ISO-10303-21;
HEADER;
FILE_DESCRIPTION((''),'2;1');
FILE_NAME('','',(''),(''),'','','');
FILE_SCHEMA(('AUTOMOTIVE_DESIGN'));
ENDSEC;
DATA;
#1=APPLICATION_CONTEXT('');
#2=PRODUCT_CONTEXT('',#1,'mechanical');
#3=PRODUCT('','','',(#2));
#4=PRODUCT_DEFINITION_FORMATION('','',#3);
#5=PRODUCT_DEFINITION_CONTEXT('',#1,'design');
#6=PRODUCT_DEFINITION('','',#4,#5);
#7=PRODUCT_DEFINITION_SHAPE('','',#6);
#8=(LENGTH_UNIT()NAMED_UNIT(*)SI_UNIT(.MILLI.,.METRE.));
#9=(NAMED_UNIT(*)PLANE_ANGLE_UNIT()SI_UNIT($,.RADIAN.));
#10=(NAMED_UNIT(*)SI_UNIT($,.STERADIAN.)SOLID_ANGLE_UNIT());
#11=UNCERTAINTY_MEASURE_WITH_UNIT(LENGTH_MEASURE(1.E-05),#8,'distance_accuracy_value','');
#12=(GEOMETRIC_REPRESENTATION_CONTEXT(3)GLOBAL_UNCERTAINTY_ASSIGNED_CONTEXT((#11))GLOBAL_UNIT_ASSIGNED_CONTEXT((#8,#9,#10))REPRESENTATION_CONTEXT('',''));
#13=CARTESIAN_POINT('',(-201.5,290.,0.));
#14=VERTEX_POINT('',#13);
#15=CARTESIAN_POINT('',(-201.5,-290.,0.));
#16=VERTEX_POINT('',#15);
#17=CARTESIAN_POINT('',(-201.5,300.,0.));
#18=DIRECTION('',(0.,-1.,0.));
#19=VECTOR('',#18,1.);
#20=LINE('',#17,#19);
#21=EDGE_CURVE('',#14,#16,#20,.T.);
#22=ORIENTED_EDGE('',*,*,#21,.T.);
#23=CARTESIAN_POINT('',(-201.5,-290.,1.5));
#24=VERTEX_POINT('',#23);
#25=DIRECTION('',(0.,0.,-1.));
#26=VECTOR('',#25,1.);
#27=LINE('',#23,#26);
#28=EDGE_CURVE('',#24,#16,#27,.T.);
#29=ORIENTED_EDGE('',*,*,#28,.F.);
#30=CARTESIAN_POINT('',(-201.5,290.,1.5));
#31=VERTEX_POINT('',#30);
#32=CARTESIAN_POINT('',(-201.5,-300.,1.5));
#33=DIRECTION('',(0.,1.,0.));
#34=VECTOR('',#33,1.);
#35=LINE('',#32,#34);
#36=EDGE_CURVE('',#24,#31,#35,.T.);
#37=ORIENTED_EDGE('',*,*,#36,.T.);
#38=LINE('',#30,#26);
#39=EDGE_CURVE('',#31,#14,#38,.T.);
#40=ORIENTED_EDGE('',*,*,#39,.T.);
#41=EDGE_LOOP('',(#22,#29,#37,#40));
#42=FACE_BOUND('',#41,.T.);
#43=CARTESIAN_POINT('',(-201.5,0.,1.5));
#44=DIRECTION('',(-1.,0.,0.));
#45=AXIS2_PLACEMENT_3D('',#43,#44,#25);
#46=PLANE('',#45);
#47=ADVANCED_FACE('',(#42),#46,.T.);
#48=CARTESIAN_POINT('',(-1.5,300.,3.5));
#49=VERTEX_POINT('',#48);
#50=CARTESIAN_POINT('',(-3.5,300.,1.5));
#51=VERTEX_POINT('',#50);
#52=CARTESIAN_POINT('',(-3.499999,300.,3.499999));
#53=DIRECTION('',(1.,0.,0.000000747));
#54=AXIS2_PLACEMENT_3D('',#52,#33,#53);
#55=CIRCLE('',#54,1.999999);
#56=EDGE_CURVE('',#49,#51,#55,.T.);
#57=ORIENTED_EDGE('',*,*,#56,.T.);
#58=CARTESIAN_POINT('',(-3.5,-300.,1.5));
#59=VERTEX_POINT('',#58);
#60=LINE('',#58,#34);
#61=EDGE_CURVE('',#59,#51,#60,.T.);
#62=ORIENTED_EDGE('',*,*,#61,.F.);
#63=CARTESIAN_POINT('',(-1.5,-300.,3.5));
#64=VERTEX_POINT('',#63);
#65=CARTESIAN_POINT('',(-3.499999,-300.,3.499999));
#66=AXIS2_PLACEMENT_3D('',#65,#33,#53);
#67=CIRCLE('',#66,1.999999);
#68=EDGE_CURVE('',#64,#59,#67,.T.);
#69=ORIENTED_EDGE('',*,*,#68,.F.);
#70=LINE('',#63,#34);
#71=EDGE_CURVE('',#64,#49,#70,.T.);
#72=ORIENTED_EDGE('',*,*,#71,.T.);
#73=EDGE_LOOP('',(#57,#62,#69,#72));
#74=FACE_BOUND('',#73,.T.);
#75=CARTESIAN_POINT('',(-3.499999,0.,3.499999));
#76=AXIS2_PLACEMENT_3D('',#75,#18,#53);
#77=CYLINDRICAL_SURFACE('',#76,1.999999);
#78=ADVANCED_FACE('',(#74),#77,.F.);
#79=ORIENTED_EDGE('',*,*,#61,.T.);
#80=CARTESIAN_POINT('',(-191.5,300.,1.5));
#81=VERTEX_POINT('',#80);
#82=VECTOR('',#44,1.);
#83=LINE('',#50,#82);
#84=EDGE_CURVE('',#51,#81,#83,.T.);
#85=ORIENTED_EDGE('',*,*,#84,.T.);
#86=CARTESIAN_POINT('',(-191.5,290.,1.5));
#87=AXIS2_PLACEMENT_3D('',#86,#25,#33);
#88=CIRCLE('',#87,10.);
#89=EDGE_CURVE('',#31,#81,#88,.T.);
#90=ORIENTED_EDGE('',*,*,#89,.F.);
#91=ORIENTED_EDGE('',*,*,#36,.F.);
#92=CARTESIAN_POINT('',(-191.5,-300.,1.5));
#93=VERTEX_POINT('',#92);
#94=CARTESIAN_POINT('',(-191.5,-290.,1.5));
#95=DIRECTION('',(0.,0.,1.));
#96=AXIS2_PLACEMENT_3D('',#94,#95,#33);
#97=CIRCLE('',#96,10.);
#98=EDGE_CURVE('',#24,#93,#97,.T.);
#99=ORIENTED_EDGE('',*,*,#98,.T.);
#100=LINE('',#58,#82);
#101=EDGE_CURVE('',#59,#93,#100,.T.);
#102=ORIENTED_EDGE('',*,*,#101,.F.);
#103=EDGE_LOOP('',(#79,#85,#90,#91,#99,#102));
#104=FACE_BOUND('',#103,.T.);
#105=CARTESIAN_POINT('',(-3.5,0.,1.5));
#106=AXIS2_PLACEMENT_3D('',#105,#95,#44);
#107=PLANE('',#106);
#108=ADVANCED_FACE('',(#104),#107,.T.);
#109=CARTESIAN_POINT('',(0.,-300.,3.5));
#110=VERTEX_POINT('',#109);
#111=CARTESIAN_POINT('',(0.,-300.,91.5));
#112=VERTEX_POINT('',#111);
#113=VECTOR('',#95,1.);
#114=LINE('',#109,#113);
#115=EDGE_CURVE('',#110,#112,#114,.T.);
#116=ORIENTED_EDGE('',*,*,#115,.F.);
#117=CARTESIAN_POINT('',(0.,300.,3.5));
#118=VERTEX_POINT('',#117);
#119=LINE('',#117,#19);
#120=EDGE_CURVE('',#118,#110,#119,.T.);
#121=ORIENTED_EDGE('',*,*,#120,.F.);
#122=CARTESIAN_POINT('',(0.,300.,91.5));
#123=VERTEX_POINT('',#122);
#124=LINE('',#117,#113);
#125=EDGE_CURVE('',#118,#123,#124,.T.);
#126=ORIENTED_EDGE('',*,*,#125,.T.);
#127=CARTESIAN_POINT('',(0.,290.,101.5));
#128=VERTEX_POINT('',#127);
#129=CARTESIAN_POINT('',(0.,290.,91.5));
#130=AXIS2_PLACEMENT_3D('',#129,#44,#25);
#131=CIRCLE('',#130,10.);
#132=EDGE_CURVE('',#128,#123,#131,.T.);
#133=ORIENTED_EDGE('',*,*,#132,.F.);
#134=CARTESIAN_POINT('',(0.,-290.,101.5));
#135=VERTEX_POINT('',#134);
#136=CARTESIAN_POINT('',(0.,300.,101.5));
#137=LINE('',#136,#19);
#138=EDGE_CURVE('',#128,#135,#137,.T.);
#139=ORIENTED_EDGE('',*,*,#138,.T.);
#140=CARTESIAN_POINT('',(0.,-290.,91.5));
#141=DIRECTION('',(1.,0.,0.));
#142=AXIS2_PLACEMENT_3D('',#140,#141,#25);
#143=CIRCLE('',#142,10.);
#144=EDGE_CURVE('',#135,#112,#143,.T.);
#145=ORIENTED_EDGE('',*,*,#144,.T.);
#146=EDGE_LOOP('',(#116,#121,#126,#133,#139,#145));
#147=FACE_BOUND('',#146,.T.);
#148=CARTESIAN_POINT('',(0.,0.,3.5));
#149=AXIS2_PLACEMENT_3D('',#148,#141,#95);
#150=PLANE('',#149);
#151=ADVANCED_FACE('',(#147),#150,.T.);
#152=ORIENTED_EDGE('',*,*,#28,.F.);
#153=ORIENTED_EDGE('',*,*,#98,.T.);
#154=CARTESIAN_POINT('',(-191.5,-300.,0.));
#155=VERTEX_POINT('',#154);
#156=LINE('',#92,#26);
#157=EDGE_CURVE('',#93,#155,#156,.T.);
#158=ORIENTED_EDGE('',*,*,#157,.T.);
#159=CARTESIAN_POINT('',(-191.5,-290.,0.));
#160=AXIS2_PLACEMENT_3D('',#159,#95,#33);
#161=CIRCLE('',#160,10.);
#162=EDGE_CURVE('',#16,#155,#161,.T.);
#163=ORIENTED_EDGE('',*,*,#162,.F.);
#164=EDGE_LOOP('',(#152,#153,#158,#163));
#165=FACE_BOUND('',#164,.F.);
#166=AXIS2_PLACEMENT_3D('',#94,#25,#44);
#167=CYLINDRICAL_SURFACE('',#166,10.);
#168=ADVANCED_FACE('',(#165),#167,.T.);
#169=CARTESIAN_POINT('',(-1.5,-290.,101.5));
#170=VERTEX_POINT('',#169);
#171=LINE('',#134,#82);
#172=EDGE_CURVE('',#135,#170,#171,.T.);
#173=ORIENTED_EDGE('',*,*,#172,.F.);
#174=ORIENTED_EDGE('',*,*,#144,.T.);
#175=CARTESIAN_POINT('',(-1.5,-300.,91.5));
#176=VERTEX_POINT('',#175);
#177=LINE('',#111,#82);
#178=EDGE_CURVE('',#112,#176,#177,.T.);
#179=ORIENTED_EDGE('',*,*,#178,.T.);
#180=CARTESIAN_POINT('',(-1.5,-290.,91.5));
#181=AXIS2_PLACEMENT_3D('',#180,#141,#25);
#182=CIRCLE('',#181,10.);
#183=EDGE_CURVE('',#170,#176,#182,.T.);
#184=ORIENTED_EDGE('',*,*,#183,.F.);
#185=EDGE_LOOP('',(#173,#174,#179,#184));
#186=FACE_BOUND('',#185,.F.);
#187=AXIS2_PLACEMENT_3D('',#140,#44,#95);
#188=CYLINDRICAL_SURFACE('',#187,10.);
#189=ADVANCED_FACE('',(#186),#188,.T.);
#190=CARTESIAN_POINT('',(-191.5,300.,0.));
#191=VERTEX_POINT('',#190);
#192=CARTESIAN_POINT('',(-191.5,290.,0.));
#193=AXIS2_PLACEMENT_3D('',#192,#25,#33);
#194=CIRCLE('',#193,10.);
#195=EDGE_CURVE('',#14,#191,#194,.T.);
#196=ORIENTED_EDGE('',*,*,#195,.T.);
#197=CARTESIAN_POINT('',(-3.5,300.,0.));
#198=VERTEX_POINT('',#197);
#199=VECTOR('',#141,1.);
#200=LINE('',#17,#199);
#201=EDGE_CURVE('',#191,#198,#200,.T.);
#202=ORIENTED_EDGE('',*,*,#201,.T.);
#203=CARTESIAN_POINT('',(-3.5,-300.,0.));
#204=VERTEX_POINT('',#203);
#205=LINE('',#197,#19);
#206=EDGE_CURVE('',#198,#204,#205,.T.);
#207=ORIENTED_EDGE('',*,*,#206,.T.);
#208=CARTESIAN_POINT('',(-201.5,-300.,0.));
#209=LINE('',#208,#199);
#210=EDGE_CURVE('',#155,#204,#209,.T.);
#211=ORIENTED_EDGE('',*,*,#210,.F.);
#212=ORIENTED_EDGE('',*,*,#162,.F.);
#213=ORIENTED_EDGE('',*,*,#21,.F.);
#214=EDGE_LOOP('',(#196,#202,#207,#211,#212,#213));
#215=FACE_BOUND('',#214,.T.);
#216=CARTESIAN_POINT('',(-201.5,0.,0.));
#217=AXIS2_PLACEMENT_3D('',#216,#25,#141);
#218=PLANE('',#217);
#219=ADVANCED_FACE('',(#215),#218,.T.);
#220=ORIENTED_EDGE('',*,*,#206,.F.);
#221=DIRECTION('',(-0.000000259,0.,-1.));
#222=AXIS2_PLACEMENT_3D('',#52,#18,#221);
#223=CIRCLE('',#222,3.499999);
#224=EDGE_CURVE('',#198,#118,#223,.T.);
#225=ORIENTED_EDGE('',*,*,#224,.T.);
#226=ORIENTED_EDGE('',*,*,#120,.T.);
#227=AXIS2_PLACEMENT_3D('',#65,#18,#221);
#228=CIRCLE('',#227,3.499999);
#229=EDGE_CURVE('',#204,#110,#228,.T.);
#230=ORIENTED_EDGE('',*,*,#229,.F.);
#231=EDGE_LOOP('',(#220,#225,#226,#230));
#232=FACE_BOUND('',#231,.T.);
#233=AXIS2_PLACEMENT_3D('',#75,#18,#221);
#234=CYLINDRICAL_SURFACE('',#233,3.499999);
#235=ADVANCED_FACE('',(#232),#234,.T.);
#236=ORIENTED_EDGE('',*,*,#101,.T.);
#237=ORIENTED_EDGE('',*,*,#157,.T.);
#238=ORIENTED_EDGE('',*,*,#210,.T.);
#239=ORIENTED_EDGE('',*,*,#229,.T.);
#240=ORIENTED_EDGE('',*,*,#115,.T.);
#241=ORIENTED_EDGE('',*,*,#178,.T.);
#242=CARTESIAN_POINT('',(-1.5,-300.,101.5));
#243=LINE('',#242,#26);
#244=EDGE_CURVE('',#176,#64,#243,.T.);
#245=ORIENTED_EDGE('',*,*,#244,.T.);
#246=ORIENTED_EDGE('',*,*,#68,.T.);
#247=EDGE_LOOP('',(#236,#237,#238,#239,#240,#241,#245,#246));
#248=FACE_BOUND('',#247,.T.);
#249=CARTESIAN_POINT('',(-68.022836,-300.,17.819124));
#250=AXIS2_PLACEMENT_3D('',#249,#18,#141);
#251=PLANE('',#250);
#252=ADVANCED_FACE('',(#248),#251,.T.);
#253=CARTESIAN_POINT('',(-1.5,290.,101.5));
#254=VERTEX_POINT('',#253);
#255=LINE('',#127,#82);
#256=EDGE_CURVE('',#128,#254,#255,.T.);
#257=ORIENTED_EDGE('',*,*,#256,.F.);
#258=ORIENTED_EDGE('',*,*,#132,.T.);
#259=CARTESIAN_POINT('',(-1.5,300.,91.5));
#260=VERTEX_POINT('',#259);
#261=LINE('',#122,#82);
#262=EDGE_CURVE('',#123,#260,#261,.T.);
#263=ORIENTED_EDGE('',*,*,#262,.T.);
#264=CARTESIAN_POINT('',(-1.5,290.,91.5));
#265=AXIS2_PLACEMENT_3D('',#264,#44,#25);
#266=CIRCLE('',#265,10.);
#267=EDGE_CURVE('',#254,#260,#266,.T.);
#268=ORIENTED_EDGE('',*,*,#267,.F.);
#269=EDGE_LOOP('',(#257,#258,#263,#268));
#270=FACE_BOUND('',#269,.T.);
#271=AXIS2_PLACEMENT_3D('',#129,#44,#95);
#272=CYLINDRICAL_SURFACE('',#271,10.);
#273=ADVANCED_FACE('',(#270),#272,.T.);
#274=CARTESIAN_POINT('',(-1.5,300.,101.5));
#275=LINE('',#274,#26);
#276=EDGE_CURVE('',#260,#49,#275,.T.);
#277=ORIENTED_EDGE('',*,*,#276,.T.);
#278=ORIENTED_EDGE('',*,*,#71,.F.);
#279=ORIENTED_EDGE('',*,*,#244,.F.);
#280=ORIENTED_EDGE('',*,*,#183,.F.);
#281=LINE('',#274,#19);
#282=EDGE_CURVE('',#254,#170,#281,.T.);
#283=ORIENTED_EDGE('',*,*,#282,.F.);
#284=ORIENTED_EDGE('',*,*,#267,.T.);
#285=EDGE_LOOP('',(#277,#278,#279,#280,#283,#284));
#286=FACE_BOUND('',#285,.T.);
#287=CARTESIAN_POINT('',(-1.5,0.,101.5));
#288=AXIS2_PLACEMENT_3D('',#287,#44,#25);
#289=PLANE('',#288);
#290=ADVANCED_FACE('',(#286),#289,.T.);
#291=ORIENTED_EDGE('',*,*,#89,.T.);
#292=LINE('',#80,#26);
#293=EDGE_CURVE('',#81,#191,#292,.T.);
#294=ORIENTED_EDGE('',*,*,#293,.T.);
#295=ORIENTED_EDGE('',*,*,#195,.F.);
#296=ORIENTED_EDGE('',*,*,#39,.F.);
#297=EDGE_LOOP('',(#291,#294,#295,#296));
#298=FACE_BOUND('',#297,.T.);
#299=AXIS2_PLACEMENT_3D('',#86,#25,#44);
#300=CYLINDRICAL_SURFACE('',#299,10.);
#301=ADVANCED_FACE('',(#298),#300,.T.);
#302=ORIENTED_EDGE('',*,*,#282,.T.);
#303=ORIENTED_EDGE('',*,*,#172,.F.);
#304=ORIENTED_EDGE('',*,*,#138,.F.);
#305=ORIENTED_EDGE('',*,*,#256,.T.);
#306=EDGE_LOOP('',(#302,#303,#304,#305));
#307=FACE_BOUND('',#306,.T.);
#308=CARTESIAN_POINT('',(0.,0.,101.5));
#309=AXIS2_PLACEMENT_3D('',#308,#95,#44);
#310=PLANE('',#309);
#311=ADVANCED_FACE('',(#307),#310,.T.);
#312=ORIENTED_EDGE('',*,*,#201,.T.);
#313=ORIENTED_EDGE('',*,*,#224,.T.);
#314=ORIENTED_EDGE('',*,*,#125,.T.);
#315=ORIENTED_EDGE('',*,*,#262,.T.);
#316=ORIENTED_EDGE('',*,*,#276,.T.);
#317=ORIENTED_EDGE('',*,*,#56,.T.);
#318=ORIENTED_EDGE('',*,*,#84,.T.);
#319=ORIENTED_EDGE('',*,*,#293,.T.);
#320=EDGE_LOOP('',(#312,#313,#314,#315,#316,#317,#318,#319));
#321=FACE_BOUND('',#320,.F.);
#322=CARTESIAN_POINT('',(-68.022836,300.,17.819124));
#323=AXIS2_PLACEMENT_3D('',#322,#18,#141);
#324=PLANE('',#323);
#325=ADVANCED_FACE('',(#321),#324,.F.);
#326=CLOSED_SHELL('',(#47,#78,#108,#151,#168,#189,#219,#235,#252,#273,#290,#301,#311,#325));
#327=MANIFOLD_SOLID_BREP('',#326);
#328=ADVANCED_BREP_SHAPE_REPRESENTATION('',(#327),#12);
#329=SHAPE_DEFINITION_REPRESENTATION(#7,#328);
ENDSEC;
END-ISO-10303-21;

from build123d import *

# Parameters (mm, degrees)
F1_DEPTH = 300
F2_R     = 10


with BuildPart() as f1:
    # F0 (on Front) → F1 (new body, symmetric)
    with BuildSketch(Plane.XZ):
        with BuildLine():
            Line((-201.5, 1.5), (-201.5, 0))
            Line((-201.5, 0), (-3.5, 0))
            ThreePointArc((-3.5, 0), (-1.025126, 1.025126), (0, 3.5))
            Line((0, 3.5), (0, 101.5))
            Line((0, 101.5), (-1.5, 101.5))
            Line((-1.5, 101.5), (-1.5, 3.5))
            ThreePointArc((-1.5, 3.5), (-2.085786, 2.085786), (-3.5, 1.5))
            Line((-3.5, 1.5), (-201.5, 1.5))
        make_face()
    extrude(amount=F1_DEPTH, both=True)

    # F2
    f2_edges = [f1.edges().sort_by_distance(p)[0] for p in [
        (-0.75, -300, 101.5),
        (-0.75, 300, 101.5),
        (-201.5, -300, 0.75),
        (-201.5, 300, 0.75),
    ]]
    fillet(f2_edges, radius=F2_R)


solid = f1.part
